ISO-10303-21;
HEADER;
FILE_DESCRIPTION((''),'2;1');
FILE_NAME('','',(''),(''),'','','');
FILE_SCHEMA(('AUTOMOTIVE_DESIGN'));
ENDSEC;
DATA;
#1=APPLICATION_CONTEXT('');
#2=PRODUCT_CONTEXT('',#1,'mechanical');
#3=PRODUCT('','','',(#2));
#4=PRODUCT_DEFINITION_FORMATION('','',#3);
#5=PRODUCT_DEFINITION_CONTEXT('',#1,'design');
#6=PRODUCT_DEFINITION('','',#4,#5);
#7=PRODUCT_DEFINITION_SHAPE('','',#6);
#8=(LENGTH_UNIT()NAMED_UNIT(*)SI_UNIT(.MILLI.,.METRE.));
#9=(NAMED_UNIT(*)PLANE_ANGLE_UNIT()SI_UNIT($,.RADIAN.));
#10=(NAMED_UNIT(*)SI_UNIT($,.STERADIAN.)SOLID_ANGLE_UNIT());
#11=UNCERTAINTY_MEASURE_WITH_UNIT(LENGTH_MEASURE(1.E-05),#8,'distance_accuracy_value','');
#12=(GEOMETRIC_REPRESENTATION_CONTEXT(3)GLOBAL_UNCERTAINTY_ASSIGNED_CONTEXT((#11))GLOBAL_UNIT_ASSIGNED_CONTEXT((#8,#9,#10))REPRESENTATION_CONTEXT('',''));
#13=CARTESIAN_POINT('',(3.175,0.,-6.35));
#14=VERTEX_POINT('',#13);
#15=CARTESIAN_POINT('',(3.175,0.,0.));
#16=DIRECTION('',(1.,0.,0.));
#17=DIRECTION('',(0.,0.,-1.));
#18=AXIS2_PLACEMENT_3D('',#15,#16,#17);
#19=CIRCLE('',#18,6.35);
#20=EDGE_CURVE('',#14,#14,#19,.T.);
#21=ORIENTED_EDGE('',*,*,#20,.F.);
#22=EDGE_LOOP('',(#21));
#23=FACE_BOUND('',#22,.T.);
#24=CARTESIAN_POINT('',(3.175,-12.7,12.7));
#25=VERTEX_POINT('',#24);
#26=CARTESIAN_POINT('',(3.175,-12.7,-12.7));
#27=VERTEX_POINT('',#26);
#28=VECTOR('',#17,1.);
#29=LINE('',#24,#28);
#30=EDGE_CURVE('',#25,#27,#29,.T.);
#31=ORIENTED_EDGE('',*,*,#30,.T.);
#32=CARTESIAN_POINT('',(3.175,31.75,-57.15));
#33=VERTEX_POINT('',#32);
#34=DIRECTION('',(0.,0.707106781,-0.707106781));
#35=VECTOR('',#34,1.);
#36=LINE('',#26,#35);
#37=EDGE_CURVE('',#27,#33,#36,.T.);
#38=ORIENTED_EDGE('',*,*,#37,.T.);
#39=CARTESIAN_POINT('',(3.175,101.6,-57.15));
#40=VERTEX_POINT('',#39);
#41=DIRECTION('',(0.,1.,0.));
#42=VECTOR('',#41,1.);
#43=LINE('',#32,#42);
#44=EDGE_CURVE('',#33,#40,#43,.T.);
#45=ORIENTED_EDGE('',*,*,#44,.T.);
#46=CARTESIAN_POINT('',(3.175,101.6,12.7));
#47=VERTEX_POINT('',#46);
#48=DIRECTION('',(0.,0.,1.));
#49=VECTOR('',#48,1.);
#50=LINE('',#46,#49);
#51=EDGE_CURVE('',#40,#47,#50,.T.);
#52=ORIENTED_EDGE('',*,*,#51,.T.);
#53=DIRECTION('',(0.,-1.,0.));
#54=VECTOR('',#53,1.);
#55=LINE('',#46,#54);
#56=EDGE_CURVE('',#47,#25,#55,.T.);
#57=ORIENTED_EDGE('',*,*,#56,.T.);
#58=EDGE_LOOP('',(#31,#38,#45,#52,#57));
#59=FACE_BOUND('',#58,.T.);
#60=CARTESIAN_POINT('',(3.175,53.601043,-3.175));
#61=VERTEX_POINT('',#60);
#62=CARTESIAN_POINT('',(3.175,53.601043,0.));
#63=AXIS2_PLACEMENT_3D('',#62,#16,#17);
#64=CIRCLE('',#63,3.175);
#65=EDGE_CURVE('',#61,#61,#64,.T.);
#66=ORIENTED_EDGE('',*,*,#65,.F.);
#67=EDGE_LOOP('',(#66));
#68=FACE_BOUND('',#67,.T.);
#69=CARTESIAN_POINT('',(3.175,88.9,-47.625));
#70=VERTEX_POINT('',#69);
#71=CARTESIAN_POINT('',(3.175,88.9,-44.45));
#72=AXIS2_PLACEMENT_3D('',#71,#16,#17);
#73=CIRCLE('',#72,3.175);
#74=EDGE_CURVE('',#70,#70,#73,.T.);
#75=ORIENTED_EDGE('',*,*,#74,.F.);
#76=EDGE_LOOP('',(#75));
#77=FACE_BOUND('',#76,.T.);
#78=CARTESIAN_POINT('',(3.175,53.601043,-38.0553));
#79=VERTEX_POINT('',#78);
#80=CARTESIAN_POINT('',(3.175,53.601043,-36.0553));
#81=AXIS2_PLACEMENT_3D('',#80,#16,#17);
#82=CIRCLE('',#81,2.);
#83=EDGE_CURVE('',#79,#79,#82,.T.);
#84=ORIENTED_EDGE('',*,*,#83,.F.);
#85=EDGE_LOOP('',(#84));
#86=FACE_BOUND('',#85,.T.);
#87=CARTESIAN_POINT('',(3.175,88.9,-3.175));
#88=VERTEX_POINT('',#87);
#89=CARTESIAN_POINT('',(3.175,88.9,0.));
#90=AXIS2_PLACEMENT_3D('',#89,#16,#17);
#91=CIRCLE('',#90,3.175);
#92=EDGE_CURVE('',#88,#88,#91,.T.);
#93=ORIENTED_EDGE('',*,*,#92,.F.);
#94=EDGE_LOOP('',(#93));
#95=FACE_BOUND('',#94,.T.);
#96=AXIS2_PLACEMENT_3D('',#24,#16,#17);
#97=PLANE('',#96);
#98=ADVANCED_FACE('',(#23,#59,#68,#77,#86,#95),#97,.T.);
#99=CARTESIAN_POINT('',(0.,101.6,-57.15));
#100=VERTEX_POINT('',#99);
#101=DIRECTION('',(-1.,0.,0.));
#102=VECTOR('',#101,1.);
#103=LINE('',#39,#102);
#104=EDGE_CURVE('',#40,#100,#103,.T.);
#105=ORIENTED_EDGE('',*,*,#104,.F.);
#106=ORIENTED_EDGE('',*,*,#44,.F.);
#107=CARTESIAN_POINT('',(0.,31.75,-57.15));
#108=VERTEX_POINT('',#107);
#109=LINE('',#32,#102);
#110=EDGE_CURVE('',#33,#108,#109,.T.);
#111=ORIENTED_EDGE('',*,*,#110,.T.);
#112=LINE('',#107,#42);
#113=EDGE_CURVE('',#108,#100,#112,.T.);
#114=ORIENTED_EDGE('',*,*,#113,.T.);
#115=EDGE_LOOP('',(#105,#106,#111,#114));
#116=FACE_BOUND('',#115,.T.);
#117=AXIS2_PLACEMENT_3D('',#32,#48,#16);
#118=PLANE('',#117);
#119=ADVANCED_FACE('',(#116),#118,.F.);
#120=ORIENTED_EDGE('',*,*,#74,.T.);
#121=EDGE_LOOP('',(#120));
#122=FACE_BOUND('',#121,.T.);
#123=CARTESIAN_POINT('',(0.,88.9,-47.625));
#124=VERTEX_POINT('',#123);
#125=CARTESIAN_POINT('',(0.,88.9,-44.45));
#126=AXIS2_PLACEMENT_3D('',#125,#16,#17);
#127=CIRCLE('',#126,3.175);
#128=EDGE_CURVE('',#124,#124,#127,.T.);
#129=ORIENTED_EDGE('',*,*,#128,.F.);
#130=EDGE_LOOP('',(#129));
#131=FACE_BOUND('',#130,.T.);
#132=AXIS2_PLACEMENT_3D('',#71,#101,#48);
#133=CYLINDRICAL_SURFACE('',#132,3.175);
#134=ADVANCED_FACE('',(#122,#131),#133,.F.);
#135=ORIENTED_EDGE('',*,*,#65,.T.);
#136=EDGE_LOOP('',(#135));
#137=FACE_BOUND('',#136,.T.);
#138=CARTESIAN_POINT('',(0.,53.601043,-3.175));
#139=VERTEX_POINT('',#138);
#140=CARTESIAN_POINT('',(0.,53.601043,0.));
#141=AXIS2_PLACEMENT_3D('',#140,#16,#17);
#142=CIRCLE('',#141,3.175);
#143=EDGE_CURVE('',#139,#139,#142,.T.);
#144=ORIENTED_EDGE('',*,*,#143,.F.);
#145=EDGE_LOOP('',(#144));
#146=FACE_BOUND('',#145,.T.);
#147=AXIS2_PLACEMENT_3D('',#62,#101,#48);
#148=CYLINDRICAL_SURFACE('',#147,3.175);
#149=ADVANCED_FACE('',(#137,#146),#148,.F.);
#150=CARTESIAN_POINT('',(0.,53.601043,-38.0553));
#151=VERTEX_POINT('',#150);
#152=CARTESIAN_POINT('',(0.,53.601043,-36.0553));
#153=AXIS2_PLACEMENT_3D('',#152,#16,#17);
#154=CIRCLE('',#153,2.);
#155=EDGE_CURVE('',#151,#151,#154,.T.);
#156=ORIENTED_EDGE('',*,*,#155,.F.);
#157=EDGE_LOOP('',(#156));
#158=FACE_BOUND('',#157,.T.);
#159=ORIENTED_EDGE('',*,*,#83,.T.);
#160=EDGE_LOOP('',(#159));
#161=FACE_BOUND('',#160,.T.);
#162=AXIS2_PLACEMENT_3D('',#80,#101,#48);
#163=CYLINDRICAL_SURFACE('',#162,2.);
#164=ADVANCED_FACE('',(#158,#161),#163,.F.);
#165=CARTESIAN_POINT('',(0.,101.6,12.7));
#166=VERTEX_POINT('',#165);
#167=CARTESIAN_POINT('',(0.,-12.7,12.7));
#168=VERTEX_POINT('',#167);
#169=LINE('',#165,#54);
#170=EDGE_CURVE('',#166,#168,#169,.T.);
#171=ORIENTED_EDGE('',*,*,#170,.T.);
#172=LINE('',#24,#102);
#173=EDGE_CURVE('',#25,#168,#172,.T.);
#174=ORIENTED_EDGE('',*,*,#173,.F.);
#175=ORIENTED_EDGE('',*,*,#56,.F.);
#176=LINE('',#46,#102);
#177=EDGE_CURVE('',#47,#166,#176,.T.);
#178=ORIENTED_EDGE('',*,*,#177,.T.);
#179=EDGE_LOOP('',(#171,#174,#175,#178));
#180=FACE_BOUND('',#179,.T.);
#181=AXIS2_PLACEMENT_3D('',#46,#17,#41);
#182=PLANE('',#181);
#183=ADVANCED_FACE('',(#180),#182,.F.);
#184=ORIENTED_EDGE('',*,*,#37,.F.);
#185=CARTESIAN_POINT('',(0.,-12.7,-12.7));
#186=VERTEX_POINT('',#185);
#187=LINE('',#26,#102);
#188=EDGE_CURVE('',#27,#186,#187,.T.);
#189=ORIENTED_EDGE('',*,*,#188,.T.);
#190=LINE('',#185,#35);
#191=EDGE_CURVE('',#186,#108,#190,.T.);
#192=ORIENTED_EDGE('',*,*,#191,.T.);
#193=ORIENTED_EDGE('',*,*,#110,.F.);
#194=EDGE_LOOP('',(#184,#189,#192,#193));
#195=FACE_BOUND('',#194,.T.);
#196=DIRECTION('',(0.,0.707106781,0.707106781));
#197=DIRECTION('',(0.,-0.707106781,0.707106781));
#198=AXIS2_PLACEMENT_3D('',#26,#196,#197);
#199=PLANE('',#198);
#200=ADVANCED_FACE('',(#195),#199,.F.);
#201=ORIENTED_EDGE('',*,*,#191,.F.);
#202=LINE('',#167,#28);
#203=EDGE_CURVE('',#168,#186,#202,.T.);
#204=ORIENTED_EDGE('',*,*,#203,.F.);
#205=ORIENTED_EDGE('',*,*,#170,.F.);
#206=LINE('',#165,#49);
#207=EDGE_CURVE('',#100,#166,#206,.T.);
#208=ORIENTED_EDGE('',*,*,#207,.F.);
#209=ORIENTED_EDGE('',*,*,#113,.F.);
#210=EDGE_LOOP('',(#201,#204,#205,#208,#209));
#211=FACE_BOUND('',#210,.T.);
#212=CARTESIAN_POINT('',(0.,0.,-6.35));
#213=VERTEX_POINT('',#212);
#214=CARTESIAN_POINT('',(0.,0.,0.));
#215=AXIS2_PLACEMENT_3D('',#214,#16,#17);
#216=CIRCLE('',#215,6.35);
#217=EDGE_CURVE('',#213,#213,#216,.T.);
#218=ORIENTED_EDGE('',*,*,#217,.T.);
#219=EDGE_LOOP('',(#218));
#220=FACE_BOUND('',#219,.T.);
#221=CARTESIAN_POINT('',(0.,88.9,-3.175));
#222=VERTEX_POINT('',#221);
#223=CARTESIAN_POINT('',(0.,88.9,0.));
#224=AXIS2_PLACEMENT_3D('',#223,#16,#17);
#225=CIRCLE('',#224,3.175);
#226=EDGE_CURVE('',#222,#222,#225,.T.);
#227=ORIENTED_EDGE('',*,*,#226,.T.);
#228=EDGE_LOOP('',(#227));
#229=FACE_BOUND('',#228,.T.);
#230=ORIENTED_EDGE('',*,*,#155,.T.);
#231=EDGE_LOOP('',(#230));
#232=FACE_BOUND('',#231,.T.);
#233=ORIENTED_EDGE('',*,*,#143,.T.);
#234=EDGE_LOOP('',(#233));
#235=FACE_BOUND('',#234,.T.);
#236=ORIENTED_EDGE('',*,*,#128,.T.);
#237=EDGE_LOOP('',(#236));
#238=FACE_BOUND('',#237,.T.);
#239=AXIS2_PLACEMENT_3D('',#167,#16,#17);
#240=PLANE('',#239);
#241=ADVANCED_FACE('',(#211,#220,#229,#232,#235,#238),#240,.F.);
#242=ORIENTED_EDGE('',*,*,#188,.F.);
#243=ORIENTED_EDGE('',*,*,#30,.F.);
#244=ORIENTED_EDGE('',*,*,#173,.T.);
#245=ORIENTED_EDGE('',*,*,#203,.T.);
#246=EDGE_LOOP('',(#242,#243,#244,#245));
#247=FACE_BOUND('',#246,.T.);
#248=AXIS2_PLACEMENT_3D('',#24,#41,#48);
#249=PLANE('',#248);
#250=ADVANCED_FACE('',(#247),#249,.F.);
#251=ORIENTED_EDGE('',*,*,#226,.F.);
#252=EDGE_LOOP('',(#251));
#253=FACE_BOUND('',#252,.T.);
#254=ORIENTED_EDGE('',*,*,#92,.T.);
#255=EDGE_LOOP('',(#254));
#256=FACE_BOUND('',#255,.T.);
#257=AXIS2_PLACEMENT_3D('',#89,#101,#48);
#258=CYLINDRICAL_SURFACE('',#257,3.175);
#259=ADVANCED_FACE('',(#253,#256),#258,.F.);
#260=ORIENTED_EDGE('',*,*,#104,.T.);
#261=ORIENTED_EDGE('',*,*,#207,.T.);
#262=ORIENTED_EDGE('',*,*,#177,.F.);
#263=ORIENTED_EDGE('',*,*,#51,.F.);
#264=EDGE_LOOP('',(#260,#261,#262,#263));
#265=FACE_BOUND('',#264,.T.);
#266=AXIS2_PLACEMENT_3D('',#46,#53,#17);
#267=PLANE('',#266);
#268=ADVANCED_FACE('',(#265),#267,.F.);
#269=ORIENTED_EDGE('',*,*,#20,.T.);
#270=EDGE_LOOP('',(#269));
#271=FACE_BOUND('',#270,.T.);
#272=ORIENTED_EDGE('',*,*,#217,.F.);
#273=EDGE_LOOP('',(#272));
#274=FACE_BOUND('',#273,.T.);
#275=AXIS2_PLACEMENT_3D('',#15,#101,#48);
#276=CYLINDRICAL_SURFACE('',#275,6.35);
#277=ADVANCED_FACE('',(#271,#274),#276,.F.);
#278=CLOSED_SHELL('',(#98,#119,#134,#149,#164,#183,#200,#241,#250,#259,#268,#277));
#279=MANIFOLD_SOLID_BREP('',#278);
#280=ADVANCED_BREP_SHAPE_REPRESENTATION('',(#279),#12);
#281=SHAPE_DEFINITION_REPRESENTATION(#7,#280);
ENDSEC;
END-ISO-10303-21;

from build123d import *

# Parameters (mm, degrees)
SKETCH1_R           = 2
SKETCH1_R_2         = 6.35
SKETCH1_R_3         = 3.175
BOSS_EXTRUDE1_DEPTH = 3.175


with BuildPart() as part:
    # Sketch1 → Boss-Extrude1 (new body)
    with BuildSketch(Plane(origin=(0, 0, 0), x_dir=(0, 0, -1), z_dir=(1, 0, 0))):
        Polygon((-12.7, 101.6), (57.15, 101.6), (57.15, 31.75), (12.7, -12.7), (-12.7, -12.7), align=None)
        with Locations((36.0553, 53.601042741)):
            Circle(SKETCH1_R, mode=Mode.SUBTRACT)
        Circle(SKETCH1_R_2, mode=Mode.SUBTRACT)
        with Locations((0, 88.9)):
            Circle(SKETCH1_R_3, mode=Mode.SUBTRACT)
        with Locations((44.45, 88.9)):
            Circle(SKETCH1_R_3, mode=Mode.SUBTRACT)
        with Locations((0, 53.601042741)):
            Circle(SKETCH1_R_3, mode=Mode.SUBTRACT)
    extrude(amount=BOSS_EXTRUDE1_DEPTH)


solid = part.part
